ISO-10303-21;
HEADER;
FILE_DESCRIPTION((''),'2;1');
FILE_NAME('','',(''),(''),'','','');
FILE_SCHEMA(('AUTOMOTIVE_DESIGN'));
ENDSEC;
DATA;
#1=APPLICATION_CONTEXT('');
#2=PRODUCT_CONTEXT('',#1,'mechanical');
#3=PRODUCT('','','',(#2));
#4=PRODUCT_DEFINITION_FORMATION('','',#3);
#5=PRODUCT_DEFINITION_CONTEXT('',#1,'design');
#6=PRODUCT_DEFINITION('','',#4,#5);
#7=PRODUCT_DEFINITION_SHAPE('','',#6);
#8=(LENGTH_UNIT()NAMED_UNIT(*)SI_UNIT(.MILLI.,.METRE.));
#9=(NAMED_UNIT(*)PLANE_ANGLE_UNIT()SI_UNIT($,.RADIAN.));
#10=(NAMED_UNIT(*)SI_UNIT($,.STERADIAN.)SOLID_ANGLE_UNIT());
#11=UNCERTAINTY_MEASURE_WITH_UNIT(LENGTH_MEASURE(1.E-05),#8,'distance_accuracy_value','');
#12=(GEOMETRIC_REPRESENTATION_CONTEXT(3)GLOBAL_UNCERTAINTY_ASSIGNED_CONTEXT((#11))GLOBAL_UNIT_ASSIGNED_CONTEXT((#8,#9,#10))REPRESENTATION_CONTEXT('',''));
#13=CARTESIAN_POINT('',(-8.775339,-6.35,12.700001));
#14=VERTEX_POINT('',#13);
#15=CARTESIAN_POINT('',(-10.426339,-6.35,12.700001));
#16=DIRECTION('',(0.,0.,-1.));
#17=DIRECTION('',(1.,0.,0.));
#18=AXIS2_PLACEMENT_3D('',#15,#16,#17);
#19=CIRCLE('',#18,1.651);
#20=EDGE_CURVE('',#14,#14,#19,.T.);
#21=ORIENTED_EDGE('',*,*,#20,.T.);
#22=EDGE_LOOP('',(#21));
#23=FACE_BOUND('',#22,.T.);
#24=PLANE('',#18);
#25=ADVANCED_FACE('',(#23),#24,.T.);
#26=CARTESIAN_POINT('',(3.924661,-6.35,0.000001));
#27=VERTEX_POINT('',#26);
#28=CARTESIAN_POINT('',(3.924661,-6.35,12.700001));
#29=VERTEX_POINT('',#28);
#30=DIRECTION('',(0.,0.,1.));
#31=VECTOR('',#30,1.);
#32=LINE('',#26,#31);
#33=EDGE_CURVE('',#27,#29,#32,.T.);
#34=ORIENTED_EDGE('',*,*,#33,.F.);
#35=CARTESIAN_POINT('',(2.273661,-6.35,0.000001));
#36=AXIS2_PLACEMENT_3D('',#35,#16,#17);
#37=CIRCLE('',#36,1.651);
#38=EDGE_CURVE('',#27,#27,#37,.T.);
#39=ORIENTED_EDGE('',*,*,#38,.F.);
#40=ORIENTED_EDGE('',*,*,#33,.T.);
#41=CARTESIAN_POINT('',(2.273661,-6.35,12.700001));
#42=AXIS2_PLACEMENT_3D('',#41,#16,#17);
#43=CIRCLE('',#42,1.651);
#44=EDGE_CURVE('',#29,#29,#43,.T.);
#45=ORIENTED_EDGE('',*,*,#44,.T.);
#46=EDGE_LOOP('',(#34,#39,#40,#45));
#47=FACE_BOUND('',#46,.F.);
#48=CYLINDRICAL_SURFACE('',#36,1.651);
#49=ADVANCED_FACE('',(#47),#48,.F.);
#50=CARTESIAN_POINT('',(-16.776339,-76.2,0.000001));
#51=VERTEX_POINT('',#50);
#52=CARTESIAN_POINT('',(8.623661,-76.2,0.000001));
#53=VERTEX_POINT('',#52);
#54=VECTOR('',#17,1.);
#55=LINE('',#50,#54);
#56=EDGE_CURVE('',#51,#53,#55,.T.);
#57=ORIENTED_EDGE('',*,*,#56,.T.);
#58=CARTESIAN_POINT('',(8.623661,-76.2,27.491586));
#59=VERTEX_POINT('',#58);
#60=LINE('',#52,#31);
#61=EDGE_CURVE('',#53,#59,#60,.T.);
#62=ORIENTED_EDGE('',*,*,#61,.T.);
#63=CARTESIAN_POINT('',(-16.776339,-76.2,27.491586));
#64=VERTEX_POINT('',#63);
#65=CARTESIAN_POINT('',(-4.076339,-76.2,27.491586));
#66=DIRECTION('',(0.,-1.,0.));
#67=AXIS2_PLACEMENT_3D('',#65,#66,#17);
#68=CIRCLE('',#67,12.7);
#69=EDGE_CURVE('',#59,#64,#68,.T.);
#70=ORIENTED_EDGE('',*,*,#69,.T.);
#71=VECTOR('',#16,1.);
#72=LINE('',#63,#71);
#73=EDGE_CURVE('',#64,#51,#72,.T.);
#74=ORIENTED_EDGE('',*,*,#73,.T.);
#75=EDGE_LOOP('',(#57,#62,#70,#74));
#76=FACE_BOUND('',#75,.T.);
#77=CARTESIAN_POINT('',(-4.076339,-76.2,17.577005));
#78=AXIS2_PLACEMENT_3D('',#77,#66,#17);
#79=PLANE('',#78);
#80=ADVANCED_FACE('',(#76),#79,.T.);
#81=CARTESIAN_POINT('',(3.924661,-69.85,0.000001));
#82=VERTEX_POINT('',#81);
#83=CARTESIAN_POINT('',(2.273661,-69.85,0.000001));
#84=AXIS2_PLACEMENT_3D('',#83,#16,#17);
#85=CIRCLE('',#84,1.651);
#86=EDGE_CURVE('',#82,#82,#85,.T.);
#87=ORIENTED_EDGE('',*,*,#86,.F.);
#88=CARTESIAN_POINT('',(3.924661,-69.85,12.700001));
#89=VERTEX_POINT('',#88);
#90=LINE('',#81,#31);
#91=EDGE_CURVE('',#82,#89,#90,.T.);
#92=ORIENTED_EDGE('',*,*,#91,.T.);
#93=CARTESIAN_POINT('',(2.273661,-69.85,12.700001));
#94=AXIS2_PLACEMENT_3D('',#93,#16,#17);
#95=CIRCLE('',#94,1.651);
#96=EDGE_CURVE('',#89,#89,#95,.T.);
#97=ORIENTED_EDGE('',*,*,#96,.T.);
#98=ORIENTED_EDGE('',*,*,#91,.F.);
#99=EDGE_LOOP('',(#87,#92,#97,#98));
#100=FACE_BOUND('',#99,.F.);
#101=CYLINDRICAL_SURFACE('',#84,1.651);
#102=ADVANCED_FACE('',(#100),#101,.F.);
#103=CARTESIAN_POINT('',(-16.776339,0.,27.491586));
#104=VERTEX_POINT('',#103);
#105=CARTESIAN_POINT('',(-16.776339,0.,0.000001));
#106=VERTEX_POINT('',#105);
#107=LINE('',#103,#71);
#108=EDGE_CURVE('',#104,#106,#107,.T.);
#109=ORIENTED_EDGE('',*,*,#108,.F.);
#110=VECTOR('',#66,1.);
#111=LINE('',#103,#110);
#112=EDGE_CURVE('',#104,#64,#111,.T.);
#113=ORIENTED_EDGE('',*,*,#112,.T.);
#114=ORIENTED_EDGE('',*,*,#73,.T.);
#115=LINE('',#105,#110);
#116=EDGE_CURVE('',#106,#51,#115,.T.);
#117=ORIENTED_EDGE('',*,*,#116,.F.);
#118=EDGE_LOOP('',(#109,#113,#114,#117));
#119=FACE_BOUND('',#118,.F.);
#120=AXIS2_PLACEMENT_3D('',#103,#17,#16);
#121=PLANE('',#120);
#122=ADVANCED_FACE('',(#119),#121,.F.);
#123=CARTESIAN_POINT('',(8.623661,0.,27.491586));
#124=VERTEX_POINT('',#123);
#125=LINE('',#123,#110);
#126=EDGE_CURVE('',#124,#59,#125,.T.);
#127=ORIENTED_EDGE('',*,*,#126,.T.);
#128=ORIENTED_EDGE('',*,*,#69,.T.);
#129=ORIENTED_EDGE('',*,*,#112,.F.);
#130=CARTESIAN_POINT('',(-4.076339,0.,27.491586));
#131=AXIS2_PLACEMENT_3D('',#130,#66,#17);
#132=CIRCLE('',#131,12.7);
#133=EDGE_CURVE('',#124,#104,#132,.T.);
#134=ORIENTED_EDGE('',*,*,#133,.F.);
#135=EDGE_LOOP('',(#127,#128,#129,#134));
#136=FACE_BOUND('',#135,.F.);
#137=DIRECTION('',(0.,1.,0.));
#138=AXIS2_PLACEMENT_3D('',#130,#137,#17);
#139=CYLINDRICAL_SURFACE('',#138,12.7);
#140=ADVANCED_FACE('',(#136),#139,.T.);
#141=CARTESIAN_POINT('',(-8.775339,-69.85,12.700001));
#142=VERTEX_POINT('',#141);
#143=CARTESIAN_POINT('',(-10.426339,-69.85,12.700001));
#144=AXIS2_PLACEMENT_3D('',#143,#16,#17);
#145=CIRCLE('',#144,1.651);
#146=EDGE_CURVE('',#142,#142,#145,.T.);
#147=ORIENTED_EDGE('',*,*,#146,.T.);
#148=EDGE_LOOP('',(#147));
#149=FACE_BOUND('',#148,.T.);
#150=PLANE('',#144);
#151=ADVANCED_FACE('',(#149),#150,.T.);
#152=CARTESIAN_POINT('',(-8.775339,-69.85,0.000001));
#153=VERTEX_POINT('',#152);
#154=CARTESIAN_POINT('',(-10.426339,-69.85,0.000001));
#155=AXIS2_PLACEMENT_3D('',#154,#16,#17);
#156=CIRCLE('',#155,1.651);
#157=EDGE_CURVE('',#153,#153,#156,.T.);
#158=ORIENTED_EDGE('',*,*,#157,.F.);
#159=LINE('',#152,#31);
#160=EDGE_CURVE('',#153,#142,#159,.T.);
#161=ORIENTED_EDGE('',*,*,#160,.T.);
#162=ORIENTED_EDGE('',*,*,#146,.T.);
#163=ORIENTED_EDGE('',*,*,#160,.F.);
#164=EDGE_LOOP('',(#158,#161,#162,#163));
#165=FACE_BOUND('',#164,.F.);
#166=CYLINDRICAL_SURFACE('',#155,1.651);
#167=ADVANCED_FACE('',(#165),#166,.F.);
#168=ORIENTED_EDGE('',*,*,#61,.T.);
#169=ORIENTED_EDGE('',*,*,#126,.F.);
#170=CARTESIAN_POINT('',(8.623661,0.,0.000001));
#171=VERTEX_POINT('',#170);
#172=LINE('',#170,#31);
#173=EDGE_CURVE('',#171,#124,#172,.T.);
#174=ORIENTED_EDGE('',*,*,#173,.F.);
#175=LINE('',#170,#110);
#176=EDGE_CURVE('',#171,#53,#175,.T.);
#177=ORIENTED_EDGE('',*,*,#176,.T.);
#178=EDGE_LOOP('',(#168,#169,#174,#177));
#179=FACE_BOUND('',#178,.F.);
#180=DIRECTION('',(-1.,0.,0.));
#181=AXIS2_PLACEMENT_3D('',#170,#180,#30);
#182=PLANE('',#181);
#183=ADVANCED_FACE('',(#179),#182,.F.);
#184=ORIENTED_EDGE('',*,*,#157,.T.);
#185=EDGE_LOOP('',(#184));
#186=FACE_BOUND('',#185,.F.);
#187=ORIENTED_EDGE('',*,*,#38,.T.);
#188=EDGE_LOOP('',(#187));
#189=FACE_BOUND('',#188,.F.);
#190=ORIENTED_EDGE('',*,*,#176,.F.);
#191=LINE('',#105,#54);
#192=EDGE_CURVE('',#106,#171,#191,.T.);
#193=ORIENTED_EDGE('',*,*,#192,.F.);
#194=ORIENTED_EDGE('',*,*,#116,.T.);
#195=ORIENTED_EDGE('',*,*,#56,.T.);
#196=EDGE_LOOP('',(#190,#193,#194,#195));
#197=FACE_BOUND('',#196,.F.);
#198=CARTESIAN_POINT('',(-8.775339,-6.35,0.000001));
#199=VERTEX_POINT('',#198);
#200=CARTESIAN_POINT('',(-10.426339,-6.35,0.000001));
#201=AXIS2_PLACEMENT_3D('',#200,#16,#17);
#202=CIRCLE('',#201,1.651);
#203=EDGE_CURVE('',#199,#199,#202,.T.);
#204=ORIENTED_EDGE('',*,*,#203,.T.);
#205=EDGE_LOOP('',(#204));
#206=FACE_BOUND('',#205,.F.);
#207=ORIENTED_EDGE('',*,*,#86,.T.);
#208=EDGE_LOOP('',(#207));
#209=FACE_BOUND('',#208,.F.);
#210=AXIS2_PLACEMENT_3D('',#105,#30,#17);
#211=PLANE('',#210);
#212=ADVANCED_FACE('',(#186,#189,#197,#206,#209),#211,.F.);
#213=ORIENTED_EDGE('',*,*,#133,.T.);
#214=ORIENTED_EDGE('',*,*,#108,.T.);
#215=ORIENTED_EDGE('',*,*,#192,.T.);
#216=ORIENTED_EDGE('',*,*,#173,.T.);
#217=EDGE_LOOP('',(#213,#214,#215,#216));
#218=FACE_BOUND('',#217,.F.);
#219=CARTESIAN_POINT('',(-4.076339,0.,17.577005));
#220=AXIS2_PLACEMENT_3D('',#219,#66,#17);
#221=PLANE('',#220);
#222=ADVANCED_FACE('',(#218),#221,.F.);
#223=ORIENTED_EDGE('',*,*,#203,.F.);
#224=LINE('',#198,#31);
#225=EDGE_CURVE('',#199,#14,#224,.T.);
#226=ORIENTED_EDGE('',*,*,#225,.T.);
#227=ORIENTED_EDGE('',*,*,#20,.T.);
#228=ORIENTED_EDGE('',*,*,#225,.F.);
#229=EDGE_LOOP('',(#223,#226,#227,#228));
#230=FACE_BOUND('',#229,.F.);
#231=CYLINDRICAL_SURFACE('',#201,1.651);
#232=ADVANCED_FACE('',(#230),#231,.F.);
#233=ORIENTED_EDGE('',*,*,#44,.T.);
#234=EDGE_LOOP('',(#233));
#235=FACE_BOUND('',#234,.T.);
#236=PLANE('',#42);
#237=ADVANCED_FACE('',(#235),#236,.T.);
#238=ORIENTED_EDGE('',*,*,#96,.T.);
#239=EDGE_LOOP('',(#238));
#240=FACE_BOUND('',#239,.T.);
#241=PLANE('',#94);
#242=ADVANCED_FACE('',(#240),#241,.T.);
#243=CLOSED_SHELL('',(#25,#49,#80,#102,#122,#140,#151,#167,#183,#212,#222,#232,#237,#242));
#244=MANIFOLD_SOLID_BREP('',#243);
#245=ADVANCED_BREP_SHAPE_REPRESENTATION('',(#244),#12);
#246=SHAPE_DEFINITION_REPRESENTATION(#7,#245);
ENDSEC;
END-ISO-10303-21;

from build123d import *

# Parameters (mm, degrees)
F0_R     = 9.525
F1_DEPTH = 76.2
F2_R     = 1.651
F3_DEPTH = 12.7


with BuildPart() as f1:
    # F0 (on Front) → F1 (new body)
    with BuildSketch(Plane.XZ):
        with BuildLine():
            Line((-16.7763393044, 27.4915862828), (-16.7763393044, 9.313e-07))
            Line((-16.7763393044, 9.313e-07), (8.6236606956, 9.313e-07))
            Line((8.6236606956, 9.313e-07), (8.6236606956, 27.4915862828))
            ThreePointArc((8.6236606956, 27.4915862828), (-4.0763393044, 40.1915862828), (-16.7763393044, 27.4915862828))
        make_face()
        with Locations((-4.0763393044, 27.4915862828)):
            Circle(F0_R, mode=Mode.SUBTRACT)
        with Locations((-4.0763393044, 27.4915862828)):
            Circle(F0_R)
    extrude(amount=F1_DEPTH)

    # F2 (on face) → F3 (cut)
    with BuildSketch(Plane(origin=(0, 0, 9.313e-07), x_dir=(1, 0, 0), z_dir=(0, 0, -1))):
        with Locations((-10.4263393044, 6.35)):
            Circle(F2_R)
        with Locations((-10.4263393044, 69.85)):
            Circle(F2_R)
        with Locations((2.2736606956, 6.35)):
            Circle(F2_R)
        with Locations((2.2736606956, 69.85)):
            Circle(F2_R)
    extrude(amount=-F3_DEPTH, mode=Mode.SUBTRACT)


solid = f1.part
